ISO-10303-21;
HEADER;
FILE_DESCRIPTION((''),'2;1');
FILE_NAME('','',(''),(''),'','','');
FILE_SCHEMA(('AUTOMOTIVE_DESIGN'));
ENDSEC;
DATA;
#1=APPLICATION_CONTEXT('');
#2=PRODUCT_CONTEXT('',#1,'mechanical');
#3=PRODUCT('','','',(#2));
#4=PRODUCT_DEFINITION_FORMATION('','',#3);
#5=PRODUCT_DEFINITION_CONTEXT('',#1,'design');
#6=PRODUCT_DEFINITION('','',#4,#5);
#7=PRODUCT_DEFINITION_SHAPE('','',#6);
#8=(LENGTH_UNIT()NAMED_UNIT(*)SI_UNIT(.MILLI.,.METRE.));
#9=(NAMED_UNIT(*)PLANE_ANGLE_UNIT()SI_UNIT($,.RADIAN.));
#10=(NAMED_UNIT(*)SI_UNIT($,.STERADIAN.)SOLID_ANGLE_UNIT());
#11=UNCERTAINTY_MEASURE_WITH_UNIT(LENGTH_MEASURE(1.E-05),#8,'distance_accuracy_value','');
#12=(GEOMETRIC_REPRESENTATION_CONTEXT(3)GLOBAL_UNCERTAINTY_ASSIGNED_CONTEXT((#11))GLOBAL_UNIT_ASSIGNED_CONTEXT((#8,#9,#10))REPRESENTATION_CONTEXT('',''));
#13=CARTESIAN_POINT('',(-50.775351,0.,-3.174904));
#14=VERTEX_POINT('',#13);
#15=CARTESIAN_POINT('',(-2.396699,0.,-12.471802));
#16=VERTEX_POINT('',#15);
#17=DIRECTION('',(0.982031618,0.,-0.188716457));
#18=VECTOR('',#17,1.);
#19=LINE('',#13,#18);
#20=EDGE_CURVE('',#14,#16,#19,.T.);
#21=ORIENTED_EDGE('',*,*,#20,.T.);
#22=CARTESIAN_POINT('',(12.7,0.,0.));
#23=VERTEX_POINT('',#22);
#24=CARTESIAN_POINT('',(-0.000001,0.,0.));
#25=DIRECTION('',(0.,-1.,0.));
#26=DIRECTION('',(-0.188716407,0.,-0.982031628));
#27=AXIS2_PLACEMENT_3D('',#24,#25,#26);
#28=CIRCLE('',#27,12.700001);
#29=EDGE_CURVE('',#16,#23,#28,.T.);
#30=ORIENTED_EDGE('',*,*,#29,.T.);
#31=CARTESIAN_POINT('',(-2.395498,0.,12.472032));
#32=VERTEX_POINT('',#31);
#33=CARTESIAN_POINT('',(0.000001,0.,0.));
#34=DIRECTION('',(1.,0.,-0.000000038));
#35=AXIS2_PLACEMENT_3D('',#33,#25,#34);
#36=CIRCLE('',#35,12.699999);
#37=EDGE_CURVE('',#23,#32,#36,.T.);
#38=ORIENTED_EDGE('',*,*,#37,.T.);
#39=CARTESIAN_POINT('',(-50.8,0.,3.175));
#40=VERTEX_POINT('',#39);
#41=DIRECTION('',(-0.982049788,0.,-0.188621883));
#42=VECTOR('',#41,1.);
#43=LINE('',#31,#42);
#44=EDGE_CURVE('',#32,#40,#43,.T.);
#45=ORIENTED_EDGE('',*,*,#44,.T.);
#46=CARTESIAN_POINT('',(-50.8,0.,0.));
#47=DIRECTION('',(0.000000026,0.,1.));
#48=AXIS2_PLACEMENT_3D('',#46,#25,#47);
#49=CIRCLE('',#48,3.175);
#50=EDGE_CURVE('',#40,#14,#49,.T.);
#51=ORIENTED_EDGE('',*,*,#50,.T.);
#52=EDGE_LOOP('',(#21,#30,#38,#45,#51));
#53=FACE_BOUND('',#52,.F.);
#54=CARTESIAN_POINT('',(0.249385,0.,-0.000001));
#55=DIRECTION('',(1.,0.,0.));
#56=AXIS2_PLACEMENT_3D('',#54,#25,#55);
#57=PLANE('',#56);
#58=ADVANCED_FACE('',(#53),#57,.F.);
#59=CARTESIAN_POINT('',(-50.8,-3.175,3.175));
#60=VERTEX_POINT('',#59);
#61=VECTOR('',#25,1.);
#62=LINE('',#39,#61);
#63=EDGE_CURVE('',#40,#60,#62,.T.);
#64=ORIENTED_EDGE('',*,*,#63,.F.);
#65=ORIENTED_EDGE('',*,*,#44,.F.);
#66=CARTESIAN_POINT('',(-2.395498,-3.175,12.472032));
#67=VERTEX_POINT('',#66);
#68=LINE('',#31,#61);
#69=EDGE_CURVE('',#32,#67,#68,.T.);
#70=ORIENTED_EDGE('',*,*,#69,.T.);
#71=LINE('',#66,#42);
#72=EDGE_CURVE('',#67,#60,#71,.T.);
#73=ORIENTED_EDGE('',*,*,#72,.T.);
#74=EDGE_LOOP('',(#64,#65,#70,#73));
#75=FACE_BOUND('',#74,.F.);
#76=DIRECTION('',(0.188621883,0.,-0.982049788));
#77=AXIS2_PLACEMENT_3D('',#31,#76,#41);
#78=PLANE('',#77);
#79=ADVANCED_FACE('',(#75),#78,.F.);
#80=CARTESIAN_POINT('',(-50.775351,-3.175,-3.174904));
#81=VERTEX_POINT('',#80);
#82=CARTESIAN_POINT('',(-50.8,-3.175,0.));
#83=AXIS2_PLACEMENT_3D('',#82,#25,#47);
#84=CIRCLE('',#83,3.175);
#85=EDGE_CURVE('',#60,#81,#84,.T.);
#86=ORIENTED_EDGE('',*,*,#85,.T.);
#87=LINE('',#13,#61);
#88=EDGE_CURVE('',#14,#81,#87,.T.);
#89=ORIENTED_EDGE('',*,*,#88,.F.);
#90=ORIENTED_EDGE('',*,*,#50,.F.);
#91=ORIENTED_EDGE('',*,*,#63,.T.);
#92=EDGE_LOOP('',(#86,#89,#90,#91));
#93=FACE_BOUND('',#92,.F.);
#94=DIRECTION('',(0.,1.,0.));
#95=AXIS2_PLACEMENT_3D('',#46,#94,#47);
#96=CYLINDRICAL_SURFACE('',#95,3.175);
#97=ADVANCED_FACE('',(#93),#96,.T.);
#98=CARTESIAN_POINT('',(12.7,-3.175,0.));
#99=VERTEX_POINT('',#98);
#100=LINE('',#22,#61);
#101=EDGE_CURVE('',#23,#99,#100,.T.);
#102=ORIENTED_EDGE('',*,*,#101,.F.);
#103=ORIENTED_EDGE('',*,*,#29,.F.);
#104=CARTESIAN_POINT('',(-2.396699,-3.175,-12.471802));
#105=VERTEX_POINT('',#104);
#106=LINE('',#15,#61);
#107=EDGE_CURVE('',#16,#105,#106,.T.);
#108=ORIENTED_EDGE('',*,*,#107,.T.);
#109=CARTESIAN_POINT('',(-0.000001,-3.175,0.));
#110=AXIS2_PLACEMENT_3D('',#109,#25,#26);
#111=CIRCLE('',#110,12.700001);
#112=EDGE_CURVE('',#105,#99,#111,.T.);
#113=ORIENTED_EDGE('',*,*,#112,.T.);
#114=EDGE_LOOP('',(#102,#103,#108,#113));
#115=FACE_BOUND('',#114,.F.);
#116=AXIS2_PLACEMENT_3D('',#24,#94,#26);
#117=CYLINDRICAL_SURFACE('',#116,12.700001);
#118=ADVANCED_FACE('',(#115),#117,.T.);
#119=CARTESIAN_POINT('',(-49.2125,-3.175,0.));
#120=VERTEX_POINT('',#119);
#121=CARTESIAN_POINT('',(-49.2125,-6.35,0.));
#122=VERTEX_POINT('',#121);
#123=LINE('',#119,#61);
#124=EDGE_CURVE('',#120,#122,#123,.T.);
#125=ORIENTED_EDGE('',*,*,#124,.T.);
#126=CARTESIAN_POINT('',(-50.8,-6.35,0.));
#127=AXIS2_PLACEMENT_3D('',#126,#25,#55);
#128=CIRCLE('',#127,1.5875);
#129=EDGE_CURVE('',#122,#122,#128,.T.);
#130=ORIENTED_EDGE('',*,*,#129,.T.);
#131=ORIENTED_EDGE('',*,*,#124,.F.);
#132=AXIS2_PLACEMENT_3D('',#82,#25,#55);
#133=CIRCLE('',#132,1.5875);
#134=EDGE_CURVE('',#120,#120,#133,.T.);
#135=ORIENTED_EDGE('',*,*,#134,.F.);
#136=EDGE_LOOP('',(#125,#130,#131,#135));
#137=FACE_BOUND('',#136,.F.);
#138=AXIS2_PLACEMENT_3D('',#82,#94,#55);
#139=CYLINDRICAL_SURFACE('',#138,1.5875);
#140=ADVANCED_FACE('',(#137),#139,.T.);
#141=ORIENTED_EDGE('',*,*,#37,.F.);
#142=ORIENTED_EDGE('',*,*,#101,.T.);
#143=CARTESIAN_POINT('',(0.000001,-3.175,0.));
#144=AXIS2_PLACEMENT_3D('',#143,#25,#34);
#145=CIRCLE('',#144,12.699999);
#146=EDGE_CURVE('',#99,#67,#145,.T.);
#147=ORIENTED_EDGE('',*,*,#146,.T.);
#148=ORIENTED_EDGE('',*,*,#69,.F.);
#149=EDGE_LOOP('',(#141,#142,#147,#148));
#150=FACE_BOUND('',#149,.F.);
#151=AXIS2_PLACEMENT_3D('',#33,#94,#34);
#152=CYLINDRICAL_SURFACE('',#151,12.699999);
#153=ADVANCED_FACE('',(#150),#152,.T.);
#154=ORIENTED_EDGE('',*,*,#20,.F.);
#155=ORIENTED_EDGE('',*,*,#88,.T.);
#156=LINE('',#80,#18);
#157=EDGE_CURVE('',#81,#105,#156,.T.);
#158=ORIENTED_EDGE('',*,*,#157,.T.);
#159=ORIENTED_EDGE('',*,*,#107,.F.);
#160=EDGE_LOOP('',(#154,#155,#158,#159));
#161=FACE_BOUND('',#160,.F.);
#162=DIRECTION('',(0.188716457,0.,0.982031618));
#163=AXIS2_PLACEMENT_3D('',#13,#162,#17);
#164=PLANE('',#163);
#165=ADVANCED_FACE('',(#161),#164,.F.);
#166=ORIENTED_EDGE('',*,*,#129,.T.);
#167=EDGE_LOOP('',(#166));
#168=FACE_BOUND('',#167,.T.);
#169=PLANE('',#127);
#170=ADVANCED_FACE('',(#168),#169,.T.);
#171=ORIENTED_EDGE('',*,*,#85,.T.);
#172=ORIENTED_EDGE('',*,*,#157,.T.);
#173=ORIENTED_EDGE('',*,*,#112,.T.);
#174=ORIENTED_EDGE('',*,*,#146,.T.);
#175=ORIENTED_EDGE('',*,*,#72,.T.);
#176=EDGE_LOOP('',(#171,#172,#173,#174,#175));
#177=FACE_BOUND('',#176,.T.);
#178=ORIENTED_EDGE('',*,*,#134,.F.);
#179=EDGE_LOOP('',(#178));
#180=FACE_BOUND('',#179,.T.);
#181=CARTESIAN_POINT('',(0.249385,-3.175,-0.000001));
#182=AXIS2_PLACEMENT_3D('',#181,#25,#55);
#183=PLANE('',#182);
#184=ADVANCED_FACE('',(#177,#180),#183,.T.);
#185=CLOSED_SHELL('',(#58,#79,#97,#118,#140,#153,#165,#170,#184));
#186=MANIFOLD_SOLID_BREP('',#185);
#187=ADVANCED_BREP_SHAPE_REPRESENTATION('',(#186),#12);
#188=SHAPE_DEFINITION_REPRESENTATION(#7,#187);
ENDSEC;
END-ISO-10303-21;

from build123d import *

# Parameters (mm, degrees)
F1_DEPTH = 3.175
F2_R     = 1.5875
F3_DEPTH = 3.175


with BuildPart() as f1:
    # F0 (on Front) → F1 (new body)
    with BuildSketch(Plane.XZ):
        with BuildLine():
            ThreePointArc((-2.396699, -12.471802), (8.088632, -9.791018), (12.7, 0))
            ThreePointArc((12.7, 0), (8.089103, 9.790629), (-2.395498, 12.472032))
            ThreePointArc((-2.395498, 12.472032), (-12.7, 0.000611), (-2.396699, -12.471802))
        make_face()
        with BuildLine():
            ThreePointArc((-2.396699, -12.471802), (-12.7, 0.000611), (-2.395498, 12.472032))
            Line((-2.395498, 12.472032), (-50.8, 3.175))
            ThreePointArc((-50.8, 3.175), (-48.554936, 2.245064), (-47.625, 0))
            ThreePointArc((-47.625, 0), (-48.546238, -2.236332), (-50.775351, -3.174904))
            Line((-50.775351, -3.174904), (-2.396699, -12.471802))
        make_face()
        with BuildLine():
            ThreePointArc((-47.625, 0), (-48.554936, 2.245064), (-50.8, 3.175))
            ThreePointArc((-50.8, 3.175), (-53.974976, -0.012325), (-50.775351, -3.174904))
            ThreePointArc((-50.775351, -3.174904), (-48.546238, -2.236332), (-47.625, 0))
        make_face()
    extrude(amount=F1_DEPTH)

    # F2 (on face) → F3 (join)
    with BuildSketch(Plane.XZ.offset(3.175)):
        with Locations((-50.8, 0)):
            Circle(F2_R)
    extrude(amount=F3_DEPTH)


solid = f1.part
